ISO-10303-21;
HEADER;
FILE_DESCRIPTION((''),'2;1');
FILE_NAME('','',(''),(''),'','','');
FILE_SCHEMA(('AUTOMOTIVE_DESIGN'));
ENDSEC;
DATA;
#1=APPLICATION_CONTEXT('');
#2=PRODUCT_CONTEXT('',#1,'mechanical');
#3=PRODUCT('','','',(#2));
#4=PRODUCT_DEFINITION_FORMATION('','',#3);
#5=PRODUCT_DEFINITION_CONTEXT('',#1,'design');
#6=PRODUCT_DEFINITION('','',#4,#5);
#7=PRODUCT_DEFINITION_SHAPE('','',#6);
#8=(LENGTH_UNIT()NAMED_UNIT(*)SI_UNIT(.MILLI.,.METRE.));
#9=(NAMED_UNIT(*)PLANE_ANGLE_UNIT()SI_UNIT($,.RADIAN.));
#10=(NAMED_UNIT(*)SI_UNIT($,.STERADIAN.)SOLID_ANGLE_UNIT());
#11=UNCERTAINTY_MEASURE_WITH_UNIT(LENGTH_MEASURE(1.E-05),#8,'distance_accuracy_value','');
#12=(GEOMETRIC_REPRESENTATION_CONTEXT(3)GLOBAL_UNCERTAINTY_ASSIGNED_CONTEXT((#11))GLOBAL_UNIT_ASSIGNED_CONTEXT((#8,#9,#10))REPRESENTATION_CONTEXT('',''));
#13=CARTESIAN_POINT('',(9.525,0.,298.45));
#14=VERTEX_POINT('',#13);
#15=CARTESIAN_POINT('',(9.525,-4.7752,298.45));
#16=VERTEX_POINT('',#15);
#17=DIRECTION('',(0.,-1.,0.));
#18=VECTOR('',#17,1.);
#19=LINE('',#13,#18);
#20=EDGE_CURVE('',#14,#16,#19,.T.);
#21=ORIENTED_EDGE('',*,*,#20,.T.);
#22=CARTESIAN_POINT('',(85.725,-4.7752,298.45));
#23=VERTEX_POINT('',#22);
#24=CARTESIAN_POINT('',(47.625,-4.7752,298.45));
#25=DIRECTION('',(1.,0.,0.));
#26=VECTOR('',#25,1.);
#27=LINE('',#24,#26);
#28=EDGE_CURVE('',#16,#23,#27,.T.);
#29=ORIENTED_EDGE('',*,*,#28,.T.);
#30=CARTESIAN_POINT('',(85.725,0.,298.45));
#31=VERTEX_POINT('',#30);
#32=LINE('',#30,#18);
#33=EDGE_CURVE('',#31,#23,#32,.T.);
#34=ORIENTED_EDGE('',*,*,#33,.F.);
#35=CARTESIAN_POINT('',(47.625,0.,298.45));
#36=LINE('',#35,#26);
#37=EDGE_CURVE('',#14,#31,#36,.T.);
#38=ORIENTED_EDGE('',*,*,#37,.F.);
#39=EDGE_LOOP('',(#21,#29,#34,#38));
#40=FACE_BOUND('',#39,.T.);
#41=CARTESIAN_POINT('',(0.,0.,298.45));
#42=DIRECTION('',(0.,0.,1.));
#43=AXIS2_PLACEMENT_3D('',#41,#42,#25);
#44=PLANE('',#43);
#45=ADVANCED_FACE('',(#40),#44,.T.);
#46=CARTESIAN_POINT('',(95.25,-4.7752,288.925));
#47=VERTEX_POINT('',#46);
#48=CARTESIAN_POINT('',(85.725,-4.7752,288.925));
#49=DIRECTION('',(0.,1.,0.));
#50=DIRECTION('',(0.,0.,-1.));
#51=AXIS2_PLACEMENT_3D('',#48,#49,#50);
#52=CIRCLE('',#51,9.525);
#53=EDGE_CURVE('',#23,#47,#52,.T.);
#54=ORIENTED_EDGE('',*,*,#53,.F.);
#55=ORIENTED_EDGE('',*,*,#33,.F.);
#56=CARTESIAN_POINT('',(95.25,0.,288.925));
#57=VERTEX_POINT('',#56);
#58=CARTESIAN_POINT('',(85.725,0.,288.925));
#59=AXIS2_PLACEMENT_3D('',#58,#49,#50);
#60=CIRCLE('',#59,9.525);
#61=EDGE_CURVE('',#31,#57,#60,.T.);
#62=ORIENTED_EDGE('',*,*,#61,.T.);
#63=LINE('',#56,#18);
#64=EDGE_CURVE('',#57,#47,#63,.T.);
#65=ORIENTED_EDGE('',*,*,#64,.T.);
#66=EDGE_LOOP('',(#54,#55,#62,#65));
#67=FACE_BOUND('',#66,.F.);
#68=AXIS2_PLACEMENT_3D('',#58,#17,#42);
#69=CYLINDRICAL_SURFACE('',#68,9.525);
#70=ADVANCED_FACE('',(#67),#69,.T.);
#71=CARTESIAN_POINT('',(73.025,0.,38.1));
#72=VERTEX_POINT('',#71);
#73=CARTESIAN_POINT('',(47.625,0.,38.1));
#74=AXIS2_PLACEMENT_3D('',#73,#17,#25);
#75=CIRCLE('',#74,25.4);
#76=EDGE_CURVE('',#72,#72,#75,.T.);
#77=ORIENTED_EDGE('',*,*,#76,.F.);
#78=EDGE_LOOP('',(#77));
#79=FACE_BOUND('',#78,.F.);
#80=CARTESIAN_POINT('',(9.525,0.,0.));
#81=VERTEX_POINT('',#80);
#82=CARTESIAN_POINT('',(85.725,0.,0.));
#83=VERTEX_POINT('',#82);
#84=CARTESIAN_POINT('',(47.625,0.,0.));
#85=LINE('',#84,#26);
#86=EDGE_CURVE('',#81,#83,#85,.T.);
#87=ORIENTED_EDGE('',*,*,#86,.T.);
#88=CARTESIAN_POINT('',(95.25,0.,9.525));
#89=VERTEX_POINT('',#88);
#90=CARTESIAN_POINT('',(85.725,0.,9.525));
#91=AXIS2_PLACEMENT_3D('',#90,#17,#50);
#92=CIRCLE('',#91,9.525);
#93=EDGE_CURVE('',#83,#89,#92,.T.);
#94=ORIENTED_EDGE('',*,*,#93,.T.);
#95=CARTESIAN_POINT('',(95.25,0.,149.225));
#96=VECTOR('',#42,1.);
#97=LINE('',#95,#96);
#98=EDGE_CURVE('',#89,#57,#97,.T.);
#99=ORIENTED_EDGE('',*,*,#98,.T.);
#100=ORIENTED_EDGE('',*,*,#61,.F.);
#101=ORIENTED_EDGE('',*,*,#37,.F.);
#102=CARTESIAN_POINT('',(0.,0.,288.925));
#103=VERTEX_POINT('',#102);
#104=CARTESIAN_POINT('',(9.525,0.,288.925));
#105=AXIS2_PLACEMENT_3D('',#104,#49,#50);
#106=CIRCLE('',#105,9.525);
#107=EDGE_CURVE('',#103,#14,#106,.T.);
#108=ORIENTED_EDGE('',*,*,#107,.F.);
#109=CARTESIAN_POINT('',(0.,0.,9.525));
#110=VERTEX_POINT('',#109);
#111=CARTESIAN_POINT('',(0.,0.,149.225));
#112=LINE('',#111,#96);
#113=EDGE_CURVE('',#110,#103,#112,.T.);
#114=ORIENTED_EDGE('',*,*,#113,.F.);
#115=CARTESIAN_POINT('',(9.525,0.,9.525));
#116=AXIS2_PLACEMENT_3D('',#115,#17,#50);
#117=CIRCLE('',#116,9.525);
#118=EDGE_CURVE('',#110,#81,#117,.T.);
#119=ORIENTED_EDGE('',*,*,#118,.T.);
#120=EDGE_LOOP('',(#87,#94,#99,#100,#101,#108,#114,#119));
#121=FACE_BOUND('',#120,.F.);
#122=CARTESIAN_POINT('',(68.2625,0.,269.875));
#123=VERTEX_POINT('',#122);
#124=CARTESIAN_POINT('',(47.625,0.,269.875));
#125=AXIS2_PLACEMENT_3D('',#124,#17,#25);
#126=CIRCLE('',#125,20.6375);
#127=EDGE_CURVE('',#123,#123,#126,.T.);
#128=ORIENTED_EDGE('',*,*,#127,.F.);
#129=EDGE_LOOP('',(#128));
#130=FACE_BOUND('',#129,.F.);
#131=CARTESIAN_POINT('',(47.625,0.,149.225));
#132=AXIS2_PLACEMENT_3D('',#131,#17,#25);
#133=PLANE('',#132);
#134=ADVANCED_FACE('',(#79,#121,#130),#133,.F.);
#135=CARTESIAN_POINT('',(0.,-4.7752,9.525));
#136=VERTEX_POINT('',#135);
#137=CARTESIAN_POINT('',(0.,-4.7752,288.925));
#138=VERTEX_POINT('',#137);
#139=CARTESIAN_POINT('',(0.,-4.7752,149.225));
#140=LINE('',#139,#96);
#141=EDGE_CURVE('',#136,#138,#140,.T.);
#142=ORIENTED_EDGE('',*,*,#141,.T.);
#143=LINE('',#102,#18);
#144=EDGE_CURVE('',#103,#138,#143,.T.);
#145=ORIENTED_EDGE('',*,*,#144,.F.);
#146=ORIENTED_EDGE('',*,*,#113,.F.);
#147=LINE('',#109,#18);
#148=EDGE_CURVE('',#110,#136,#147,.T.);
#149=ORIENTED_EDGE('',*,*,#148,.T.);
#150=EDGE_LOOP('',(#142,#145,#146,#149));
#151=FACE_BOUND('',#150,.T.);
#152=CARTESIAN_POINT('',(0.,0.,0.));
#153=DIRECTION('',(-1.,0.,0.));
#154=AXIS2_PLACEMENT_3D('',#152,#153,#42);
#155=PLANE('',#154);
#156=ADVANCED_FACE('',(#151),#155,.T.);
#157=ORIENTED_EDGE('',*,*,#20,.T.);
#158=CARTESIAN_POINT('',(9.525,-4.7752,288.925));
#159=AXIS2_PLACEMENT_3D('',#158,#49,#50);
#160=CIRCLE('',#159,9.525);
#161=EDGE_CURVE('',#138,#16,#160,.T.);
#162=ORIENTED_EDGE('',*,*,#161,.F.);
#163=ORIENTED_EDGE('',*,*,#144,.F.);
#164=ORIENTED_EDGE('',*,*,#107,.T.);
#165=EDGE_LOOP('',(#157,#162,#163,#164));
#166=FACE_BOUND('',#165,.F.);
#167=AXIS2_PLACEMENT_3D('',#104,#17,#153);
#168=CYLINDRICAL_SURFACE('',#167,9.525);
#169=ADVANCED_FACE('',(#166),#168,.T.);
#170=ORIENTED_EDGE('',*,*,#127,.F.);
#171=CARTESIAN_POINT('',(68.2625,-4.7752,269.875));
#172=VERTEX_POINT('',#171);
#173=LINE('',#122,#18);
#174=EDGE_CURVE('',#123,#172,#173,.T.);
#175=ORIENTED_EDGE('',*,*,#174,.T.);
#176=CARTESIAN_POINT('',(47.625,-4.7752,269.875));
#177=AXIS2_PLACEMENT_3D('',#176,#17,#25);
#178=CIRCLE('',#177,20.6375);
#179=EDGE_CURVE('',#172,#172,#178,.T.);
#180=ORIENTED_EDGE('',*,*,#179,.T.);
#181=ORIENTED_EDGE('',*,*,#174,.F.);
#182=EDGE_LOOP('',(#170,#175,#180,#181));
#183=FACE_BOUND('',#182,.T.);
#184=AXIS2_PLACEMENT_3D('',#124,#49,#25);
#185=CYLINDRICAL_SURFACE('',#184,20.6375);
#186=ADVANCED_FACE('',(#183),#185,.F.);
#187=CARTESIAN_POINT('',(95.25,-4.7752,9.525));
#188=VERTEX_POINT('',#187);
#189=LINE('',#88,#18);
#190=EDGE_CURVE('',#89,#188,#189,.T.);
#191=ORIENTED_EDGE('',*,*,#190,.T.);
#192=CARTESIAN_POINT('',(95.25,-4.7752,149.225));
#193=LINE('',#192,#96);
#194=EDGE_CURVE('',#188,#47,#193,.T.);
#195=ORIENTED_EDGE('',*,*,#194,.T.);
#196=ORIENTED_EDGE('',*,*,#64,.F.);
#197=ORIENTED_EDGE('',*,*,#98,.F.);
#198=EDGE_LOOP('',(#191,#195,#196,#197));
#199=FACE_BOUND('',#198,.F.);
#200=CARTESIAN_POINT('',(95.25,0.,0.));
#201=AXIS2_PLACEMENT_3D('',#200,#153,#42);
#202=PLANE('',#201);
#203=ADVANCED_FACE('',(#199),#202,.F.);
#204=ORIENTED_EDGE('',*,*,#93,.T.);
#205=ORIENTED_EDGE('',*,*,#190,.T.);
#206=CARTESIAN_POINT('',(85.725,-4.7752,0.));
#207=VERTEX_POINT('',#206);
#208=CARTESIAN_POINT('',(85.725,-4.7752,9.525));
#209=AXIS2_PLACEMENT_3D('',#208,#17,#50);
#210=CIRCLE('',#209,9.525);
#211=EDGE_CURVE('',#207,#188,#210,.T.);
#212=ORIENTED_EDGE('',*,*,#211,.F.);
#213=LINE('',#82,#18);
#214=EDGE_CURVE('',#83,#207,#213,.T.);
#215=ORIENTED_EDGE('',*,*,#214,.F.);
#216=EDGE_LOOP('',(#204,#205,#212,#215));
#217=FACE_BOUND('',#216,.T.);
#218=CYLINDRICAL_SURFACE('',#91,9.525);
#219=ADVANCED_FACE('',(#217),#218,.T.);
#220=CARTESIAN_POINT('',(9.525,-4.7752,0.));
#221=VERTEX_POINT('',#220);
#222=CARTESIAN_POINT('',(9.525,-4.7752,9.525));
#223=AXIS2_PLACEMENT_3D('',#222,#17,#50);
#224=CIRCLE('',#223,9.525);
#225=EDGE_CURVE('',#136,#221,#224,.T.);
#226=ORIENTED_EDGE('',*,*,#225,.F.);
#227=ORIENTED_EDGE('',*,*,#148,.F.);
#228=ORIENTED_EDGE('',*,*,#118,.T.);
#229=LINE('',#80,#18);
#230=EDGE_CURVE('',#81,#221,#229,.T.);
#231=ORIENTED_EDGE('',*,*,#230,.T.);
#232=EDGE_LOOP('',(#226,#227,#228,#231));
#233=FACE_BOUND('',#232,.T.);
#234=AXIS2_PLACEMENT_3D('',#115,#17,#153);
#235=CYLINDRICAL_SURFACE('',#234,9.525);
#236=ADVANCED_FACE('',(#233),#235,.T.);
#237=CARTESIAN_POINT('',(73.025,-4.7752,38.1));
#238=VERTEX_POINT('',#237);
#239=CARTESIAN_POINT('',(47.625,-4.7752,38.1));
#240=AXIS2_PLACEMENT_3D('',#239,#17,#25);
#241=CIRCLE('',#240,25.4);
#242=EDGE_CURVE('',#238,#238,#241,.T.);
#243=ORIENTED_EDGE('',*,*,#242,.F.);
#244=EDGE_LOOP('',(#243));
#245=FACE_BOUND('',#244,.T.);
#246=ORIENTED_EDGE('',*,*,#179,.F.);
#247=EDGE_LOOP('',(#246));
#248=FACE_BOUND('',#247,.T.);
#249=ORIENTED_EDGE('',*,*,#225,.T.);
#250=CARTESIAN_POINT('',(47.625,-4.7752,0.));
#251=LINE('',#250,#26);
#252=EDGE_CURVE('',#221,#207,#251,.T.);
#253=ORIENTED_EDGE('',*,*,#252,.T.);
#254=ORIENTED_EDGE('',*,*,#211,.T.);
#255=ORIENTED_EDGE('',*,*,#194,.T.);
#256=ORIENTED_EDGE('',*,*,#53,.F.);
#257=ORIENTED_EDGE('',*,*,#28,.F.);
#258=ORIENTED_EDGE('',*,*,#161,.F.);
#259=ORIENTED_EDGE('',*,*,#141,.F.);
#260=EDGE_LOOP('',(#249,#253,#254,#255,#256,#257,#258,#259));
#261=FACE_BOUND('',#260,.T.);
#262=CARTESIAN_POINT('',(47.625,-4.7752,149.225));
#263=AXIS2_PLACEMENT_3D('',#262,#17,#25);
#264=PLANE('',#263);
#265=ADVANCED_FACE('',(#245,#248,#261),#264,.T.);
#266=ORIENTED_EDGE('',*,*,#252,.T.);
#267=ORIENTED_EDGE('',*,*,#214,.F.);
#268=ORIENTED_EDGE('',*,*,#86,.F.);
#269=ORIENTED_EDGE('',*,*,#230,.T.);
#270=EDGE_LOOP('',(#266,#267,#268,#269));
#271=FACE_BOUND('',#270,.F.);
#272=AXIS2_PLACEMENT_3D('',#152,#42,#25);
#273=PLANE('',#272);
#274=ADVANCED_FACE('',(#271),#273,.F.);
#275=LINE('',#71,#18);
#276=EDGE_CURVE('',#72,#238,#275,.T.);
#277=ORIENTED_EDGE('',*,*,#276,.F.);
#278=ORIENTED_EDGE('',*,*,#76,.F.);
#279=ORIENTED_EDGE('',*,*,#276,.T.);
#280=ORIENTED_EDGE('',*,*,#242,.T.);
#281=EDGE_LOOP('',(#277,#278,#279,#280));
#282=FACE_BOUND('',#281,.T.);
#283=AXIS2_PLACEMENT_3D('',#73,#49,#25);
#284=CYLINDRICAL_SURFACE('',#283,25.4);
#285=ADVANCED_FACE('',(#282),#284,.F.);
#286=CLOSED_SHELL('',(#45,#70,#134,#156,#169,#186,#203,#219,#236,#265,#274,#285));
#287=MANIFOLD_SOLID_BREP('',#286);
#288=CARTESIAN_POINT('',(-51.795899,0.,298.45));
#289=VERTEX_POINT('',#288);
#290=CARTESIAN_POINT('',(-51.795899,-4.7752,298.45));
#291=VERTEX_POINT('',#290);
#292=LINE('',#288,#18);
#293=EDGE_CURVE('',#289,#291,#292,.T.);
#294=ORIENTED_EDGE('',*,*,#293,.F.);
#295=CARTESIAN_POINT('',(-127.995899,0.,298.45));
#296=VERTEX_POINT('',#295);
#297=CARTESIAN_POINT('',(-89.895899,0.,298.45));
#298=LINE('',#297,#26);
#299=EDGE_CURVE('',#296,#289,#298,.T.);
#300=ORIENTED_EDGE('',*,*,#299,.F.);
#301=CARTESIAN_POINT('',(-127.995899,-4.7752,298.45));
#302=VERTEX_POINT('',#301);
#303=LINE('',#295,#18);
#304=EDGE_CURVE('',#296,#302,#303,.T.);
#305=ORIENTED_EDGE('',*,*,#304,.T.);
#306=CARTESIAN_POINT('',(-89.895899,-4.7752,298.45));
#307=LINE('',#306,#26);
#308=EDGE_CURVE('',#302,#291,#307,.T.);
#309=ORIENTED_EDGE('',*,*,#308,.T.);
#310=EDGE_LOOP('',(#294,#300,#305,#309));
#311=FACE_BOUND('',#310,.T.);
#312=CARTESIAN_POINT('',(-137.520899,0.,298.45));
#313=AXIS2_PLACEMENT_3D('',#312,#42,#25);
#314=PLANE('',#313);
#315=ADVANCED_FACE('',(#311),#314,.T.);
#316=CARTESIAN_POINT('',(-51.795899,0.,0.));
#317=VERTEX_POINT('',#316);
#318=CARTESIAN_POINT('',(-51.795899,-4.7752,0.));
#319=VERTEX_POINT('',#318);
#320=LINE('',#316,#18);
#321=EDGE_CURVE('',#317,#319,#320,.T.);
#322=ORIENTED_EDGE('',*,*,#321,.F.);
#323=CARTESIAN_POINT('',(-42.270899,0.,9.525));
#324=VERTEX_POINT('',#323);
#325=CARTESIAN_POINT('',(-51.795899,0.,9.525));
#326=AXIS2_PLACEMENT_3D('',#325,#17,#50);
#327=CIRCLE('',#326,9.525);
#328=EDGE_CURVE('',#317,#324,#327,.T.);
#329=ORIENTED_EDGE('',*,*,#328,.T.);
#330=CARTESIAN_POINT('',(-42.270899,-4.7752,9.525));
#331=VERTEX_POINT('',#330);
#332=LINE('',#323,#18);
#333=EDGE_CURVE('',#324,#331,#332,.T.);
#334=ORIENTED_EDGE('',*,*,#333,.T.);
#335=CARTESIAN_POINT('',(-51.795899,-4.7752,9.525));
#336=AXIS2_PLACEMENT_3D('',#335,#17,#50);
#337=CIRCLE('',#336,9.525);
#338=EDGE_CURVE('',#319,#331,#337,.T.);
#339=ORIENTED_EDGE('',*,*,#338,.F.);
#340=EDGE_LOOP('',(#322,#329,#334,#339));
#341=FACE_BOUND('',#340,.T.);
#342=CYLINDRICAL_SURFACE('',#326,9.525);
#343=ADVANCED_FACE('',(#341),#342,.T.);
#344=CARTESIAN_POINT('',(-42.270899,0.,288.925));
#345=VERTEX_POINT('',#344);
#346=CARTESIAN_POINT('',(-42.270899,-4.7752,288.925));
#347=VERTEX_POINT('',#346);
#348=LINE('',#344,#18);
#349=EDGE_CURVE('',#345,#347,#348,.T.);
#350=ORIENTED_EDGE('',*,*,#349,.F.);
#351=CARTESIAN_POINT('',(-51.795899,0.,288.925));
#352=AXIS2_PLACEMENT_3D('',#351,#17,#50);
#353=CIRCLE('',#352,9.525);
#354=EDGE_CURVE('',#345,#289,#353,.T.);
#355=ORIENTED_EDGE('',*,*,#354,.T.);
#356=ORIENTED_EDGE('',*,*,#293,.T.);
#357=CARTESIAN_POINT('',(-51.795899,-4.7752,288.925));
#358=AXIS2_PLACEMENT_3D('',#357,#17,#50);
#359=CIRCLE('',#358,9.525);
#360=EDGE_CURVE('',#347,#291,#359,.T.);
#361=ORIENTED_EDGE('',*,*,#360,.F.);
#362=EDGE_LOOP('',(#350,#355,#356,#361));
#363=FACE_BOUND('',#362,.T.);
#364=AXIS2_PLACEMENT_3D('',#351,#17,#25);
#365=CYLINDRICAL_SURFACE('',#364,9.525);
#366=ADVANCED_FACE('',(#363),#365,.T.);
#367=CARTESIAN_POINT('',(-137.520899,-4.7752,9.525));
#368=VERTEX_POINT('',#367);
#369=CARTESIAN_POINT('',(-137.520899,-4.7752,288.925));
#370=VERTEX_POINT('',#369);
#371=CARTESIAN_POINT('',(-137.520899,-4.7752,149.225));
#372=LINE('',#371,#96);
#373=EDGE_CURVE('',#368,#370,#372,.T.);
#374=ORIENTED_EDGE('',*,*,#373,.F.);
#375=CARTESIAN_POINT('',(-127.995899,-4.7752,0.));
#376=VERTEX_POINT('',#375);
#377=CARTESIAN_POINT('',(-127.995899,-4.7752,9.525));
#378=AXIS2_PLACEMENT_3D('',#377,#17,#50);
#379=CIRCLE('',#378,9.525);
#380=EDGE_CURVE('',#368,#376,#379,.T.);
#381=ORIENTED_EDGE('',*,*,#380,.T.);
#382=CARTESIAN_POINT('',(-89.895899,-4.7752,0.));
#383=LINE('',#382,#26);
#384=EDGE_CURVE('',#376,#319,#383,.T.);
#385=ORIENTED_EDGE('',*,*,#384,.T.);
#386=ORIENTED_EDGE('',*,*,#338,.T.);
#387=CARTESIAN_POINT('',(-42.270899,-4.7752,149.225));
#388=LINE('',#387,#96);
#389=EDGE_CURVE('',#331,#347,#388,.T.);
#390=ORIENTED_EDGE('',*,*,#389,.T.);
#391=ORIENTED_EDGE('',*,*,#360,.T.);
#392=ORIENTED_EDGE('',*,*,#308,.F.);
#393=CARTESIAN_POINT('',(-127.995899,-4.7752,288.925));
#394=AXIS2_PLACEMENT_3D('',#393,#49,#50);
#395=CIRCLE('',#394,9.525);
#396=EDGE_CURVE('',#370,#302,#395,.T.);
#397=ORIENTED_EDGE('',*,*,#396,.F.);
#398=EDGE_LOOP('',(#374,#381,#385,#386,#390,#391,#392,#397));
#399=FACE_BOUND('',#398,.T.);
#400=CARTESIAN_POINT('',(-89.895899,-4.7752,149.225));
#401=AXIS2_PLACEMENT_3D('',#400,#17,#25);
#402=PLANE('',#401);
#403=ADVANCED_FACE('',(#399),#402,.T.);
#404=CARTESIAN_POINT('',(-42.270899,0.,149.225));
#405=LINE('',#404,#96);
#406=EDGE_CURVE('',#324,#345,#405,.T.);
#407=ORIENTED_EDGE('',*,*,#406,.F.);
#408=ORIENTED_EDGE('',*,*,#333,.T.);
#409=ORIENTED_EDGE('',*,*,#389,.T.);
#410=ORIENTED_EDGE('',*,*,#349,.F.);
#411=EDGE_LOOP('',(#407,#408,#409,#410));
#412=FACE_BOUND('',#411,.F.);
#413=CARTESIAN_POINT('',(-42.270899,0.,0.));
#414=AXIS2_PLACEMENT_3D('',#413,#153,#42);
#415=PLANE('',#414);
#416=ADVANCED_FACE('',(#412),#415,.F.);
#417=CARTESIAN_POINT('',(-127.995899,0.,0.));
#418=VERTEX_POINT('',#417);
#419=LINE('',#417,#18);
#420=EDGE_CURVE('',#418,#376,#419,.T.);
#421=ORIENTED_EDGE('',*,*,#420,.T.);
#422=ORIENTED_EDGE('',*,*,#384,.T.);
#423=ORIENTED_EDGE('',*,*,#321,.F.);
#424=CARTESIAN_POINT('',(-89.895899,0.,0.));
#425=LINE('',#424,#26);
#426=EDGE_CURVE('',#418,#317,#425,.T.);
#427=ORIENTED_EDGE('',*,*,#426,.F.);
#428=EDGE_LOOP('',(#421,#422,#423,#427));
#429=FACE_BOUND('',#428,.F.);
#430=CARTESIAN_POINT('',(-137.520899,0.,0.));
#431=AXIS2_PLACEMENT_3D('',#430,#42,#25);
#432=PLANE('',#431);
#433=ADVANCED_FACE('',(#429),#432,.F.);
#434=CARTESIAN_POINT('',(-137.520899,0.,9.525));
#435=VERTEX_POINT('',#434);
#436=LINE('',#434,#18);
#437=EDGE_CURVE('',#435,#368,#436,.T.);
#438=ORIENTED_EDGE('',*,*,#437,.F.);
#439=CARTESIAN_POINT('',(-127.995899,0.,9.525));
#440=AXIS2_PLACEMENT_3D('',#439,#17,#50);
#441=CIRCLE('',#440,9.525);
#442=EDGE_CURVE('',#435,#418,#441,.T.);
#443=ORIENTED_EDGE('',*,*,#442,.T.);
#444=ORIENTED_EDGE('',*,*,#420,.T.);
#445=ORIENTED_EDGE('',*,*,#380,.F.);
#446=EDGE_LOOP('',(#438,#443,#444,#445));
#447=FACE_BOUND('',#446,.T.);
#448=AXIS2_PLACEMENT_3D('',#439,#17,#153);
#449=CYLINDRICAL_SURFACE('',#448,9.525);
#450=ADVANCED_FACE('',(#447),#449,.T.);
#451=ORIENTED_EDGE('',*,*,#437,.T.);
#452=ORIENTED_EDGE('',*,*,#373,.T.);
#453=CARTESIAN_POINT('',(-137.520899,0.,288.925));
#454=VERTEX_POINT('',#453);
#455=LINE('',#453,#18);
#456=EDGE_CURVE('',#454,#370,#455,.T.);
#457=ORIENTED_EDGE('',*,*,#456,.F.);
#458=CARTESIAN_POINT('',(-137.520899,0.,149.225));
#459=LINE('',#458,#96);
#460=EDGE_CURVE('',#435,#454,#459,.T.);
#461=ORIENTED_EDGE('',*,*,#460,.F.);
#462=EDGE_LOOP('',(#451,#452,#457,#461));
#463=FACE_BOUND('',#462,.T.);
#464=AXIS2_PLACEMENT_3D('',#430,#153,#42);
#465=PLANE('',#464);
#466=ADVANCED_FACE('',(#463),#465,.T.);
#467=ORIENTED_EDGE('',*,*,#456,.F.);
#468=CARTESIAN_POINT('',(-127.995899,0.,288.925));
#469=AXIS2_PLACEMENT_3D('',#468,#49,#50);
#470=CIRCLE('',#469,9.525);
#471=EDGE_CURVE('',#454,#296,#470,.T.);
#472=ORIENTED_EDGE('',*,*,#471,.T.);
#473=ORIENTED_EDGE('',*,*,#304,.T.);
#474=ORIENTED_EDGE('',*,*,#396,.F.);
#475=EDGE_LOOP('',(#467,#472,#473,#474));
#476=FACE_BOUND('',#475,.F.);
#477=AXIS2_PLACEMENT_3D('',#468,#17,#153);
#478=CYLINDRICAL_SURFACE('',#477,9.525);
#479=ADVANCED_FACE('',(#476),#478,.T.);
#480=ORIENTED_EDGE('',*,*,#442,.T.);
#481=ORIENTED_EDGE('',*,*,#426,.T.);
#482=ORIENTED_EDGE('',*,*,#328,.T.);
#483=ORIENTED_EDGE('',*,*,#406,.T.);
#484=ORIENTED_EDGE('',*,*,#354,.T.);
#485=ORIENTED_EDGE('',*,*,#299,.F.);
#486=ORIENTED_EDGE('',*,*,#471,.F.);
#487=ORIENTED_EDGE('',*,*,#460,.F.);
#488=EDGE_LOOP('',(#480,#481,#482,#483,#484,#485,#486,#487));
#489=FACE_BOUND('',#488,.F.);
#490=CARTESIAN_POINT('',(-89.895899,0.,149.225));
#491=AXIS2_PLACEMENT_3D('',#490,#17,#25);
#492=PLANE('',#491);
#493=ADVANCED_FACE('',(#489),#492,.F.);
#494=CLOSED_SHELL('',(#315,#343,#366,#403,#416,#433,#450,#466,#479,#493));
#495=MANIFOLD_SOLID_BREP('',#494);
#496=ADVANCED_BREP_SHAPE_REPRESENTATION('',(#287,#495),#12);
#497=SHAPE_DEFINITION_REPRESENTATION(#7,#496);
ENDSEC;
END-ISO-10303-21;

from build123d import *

# Parameters (mm, degrees)
F0_W     = 95.25
F0_H     = 298.45
F0_R     = 25.4
F0_R_2   = 20.6375
F1_DEPTH = 4.7752
F2_R     = 9.525
F3_W     = 95.25
F3_H     = 298.45
F4_DEPTH = 4.7752
F5_R     = 9.525


with BuildPart() as f1:
    # F0 (on Front) → F1 (new body)
    with BuildSketch(Plane.XZ):
        with Locations((47.625, 149.225)):
            Rectangle(F0_W, F0_H)
        with Locations((47.625, 38.1)):
            Circle(F0_R, mode=Mode.SUBTRACT)
        with Locations((47.625, 269.875)):
            Circle(F0_R_2, mode=Mode.SUBTRACT)
    extrude(amount=F1_DEPTH)

    # F2
    f2_edges = [f1.edges().sort_by_distance(p)[0] for p in [
        (0, -2.3876, 298.45),
        (95.25, -2.3876, 298.45),
        (0, -2.3876, 0),
        (95.25, -2.3876, 0),
    ]]
    fillet(f2_edges, radius=F2_R)


with BuildPart() as f4:
    # F3 (on Front) → F4 (new body)
    with BuildSketch(Plane.XZ):
        with Locations((-89.895899, 149.225)):
            Rectangle(F3_W, F3_H)
    extrude(amount=F4_DEPTH)

    # F5
    f5_edges = [f4.edges().sort_by_distance(p)[0] for p in [
        (-137.520899, -2.3876, 298.45),
        (-42.270899, -2.3876, 298.45),
        (-42.270899, -2.3876, 0),
        (-137.520899, -2.3876, 0),
    ]]
    fillet(f5_edges, radius=F5_R)


solid = Compound([f1.part, f4.part])
